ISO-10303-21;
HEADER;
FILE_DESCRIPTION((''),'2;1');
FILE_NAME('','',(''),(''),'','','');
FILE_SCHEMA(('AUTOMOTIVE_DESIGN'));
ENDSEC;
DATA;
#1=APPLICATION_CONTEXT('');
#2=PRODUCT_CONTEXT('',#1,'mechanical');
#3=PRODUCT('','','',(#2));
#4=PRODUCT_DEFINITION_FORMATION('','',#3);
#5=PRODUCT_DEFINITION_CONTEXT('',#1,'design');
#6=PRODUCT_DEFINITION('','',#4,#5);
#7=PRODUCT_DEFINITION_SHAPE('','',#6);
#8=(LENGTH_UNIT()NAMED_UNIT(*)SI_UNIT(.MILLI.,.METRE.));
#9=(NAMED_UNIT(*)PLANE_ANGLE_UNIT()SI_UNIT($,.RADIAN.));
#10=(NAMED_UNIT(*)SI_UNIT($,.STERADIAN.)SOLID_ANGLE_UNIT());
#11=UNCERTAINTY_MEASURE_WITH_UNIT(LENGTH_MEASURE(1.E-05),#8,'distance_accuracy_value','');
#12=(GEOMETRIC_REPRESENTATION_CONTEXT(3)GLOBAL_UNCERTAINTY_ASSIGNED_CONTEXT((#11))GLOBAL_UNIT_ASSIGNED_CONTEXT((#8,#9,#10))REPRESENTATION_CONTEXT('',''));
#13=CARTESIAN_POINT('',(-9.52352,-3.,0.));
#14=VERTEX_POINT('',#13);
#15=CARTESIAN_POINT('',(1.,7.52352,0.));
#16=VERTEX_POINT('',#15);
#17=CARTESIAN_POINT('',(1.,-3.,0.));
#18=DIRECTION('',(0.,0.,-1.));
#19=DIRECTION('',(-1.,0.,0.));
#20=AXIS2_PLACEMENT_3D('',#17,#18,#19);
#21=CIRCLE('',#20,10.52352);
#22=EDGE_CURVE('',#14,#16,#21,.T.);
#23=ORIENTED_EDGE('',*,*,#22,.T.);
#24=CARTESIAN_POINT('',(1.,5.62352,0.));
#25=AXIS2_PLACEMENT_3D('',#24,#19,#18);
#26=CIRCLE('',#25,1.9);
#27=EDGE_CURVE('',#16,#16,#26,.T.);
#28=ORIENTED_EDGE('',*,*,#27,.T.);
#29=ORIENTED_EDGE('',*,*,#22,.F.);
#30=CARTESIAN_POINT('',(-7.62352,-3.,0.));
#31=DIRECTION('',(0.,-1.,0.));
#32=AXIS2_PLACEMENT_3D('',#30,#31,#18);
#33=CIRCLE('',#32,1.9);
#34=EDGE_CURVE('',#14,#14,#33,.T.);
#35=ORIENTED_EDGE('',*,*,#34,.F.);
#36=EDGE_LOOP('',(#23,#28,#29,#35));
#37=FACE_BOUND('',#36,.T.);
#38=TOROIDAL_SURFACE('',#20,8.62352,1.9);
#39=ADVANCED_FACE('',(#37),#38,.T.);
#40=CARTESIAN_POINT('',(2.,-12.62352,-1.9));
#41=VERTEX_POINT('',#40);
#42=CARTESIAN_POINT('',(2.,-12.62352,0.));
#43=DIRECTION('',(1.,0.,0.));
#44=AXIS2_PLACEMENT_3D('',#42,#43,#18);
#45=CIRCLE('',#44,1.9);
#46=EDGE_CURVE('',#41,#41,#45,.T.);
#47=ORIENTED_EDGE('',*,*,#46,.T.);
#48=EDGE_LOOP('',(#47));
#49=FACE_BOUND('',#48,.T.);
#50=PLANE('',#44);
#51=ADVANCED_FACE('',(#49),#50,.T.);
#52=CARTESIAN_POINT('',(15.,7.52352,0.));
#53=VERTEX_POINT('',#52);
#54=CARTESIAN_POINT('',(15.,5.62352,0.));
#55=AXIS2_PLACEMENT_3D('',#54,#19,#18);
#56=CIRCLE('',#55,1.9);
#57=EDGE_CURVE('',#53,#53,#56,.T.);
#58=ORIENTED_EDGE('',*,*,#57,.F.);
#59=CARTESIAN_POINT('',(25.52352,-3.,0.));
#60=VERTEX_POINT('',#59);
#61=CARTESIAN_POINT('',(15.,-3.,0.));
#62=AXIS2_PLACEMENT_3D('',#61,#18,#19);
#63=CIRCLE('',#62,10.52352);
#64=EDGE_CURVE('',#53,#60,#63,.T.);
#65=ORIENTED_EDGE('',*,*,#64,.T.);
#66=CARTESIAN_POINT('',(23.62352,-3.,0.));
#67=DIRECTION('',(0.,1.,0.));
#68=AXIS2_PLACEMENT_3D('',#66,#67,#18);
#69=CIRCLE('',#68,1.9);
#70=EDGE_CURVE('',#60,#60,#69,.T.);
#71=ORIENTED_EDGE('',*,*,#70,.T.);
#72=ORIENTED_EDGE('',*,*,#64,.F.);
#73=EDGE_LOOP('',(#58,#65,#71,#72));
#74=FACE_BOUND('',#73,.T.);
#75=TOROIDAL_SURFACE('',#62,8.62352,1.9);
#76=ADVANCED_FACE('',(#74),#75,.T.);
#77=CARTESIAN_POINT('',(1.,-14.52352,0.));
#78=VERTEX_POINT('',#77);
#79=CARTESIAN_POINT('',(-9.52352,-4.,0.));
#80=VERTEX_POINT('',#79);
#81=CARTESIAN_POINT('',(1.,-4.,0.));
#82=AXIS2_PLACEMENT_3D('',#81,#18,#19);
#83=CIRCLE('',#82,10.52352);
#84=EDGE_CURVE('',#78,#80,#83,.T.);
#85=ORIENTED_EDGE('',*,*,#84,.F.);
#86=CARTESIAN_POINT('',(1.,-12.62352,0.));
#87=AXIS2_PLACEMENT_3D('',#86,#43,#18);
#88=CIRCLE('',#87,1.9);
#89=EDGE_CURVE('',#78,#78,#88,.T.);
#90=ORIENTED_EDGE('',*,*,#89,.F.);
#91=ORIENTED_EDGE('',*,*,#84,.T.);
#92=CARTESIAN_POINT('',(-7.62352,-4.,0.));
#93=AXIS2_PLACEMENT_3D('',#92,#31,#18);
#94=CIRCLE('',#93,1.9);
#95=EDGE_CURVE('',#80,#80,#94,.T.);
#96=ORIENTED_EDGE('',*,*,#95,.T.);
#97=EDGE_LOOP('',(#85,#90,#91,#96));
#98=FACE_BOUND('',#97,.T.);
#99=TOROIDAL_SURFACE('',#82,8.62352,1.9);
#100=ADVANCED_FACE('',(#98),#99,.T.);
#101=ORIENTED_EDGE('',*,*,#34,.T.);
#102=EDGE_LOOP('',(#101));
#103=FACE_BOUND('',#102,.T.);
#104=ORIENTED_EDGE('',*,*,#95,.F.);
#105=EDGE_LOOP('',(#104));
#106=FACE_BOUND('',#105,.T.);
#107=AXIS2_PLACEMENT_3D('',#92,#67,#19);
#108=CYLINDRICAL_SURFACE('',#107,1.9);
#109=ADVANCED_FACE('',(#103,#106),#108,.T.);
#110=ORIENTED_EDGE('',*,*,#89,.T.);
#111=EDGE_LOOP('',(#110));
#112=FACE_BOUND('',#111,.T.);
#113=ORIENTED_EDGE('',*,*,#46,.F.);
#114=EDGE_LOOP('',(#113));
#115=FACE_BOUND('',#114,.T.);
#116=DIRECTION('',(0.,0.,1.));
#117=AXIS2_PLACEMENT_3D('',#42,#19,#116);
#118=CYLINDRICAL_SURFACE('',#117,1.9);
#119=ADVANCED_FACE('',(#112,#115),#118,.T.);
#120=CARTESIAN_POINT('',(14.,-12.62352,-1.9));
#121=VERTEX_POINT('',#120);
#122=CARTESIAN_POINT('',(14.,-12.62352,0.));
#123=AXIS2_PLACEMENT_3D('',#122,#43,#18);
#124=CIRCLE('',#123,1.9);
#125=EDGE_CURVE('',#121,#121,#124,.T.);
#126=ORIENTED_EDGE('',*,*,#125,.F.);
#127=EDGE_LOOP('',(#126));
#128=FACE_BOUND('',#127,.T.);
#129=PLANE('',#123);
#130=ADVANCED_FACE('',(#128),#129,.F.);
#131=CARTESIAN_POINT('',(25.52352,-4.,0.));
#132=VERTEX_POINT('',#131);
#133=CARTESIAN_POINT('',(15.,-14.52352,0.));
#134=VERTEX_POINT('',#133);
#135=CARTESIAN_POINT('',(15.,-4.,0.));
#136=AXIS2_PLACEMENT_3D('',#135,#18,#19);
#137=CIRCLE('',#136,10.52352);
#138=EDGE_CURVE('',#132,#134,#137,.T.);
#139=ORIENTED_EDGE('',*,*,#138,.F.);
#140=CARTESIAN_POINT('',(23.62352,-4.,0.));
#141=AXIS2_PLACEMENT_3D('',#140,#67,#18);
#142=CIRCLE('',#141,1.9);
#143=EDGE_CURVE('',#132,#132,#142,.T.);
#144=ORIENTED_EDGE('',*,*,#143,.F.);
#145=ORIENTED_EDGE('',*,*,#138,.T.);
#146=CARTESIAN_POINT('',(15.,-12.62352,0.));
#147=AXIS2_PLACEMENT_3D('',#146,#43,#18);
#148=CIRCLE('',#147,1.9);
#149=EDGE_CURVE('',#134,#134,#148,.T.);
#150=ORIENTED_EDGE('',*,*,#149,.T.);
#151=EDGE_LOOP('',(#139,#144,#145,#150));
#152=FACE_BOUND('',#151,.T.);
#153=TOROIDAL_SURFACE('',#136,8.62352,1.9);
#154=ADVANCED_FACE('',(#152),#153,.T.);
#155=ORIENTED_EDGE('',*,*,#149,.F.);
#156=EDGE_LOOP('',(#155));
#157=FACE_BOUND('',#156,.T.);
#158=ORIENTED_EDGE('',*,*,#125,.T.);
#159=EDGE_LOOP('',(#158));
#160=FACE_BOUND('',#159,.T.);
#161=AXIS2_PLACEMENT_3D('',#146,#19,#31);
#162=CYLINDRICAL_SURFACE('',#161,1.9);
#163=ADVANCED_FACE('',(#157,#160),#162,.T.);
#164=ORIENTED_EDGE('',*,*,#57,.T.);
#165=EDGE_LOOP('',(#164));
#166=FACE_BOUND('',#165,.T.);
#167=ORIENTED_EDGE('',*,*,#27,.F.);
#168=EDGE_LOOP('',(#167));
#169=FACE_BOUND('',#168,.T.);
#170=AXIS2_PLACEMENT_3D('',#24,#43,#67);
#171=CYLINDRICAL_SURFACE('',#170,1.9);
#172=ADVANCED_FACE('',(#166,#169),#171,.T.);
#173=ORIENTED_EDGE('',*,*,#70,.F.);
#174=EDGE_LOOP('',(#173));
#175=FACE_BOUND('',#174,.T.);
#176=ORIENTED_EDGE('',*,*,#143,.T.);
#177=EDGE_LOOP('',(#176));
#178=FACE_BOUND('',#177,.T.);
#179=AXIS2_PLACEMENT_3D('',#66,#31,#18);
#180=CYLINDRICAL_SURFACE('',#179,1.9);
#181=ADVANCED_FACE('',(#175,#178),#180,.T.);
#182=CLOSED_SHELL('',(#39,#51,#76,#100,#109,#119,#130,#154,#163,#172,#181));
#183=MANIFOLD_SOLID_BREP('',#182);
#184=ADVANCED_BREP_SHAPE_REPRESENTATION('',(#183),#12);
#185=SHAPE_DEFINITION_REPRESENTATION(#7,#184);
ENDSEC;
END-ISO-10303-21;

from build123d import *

# Parameters (mm, degrees)
ESQUISSE25_R = 1.9


with BuildPart() as part:
    # Balayage7: sweep along a path in Esquisse23
    with BuildLine(Plane.XY) as balayage7_path:
        Line((2, -5), (1, -5))
        ThreePointArc((1, -5), (0.292893219, -4.707106781), (0, -4))
        Line((0, -4), (0, -3))
        ThreePointArc((0, -3), (0.292893219, -2.292893219), (1, -2))
        Line((1, -2), (15, -2))
        ThreePointArc((15, -2), (15.707106781, -2.292893219), (16, -3))
        Line((16, -3), (16, -4))
        ThreePointArc((16, -4), (15.707106781, -4.707106781), (15, -5))
        Line((15, -5), (14, -5))
    # Esquisse25 → Balayage7 (sweep)
    with BuildSketch(Plane(origin=(2, 0, 0), x_dir=(0, 0, -1), z_dir=(1, 0, 0))):
        with Locations((0, -12.623519933)):
            Circle(ESQUISSE25_R)
    sweep(path=balayage7_path.line)


solid = part.part
